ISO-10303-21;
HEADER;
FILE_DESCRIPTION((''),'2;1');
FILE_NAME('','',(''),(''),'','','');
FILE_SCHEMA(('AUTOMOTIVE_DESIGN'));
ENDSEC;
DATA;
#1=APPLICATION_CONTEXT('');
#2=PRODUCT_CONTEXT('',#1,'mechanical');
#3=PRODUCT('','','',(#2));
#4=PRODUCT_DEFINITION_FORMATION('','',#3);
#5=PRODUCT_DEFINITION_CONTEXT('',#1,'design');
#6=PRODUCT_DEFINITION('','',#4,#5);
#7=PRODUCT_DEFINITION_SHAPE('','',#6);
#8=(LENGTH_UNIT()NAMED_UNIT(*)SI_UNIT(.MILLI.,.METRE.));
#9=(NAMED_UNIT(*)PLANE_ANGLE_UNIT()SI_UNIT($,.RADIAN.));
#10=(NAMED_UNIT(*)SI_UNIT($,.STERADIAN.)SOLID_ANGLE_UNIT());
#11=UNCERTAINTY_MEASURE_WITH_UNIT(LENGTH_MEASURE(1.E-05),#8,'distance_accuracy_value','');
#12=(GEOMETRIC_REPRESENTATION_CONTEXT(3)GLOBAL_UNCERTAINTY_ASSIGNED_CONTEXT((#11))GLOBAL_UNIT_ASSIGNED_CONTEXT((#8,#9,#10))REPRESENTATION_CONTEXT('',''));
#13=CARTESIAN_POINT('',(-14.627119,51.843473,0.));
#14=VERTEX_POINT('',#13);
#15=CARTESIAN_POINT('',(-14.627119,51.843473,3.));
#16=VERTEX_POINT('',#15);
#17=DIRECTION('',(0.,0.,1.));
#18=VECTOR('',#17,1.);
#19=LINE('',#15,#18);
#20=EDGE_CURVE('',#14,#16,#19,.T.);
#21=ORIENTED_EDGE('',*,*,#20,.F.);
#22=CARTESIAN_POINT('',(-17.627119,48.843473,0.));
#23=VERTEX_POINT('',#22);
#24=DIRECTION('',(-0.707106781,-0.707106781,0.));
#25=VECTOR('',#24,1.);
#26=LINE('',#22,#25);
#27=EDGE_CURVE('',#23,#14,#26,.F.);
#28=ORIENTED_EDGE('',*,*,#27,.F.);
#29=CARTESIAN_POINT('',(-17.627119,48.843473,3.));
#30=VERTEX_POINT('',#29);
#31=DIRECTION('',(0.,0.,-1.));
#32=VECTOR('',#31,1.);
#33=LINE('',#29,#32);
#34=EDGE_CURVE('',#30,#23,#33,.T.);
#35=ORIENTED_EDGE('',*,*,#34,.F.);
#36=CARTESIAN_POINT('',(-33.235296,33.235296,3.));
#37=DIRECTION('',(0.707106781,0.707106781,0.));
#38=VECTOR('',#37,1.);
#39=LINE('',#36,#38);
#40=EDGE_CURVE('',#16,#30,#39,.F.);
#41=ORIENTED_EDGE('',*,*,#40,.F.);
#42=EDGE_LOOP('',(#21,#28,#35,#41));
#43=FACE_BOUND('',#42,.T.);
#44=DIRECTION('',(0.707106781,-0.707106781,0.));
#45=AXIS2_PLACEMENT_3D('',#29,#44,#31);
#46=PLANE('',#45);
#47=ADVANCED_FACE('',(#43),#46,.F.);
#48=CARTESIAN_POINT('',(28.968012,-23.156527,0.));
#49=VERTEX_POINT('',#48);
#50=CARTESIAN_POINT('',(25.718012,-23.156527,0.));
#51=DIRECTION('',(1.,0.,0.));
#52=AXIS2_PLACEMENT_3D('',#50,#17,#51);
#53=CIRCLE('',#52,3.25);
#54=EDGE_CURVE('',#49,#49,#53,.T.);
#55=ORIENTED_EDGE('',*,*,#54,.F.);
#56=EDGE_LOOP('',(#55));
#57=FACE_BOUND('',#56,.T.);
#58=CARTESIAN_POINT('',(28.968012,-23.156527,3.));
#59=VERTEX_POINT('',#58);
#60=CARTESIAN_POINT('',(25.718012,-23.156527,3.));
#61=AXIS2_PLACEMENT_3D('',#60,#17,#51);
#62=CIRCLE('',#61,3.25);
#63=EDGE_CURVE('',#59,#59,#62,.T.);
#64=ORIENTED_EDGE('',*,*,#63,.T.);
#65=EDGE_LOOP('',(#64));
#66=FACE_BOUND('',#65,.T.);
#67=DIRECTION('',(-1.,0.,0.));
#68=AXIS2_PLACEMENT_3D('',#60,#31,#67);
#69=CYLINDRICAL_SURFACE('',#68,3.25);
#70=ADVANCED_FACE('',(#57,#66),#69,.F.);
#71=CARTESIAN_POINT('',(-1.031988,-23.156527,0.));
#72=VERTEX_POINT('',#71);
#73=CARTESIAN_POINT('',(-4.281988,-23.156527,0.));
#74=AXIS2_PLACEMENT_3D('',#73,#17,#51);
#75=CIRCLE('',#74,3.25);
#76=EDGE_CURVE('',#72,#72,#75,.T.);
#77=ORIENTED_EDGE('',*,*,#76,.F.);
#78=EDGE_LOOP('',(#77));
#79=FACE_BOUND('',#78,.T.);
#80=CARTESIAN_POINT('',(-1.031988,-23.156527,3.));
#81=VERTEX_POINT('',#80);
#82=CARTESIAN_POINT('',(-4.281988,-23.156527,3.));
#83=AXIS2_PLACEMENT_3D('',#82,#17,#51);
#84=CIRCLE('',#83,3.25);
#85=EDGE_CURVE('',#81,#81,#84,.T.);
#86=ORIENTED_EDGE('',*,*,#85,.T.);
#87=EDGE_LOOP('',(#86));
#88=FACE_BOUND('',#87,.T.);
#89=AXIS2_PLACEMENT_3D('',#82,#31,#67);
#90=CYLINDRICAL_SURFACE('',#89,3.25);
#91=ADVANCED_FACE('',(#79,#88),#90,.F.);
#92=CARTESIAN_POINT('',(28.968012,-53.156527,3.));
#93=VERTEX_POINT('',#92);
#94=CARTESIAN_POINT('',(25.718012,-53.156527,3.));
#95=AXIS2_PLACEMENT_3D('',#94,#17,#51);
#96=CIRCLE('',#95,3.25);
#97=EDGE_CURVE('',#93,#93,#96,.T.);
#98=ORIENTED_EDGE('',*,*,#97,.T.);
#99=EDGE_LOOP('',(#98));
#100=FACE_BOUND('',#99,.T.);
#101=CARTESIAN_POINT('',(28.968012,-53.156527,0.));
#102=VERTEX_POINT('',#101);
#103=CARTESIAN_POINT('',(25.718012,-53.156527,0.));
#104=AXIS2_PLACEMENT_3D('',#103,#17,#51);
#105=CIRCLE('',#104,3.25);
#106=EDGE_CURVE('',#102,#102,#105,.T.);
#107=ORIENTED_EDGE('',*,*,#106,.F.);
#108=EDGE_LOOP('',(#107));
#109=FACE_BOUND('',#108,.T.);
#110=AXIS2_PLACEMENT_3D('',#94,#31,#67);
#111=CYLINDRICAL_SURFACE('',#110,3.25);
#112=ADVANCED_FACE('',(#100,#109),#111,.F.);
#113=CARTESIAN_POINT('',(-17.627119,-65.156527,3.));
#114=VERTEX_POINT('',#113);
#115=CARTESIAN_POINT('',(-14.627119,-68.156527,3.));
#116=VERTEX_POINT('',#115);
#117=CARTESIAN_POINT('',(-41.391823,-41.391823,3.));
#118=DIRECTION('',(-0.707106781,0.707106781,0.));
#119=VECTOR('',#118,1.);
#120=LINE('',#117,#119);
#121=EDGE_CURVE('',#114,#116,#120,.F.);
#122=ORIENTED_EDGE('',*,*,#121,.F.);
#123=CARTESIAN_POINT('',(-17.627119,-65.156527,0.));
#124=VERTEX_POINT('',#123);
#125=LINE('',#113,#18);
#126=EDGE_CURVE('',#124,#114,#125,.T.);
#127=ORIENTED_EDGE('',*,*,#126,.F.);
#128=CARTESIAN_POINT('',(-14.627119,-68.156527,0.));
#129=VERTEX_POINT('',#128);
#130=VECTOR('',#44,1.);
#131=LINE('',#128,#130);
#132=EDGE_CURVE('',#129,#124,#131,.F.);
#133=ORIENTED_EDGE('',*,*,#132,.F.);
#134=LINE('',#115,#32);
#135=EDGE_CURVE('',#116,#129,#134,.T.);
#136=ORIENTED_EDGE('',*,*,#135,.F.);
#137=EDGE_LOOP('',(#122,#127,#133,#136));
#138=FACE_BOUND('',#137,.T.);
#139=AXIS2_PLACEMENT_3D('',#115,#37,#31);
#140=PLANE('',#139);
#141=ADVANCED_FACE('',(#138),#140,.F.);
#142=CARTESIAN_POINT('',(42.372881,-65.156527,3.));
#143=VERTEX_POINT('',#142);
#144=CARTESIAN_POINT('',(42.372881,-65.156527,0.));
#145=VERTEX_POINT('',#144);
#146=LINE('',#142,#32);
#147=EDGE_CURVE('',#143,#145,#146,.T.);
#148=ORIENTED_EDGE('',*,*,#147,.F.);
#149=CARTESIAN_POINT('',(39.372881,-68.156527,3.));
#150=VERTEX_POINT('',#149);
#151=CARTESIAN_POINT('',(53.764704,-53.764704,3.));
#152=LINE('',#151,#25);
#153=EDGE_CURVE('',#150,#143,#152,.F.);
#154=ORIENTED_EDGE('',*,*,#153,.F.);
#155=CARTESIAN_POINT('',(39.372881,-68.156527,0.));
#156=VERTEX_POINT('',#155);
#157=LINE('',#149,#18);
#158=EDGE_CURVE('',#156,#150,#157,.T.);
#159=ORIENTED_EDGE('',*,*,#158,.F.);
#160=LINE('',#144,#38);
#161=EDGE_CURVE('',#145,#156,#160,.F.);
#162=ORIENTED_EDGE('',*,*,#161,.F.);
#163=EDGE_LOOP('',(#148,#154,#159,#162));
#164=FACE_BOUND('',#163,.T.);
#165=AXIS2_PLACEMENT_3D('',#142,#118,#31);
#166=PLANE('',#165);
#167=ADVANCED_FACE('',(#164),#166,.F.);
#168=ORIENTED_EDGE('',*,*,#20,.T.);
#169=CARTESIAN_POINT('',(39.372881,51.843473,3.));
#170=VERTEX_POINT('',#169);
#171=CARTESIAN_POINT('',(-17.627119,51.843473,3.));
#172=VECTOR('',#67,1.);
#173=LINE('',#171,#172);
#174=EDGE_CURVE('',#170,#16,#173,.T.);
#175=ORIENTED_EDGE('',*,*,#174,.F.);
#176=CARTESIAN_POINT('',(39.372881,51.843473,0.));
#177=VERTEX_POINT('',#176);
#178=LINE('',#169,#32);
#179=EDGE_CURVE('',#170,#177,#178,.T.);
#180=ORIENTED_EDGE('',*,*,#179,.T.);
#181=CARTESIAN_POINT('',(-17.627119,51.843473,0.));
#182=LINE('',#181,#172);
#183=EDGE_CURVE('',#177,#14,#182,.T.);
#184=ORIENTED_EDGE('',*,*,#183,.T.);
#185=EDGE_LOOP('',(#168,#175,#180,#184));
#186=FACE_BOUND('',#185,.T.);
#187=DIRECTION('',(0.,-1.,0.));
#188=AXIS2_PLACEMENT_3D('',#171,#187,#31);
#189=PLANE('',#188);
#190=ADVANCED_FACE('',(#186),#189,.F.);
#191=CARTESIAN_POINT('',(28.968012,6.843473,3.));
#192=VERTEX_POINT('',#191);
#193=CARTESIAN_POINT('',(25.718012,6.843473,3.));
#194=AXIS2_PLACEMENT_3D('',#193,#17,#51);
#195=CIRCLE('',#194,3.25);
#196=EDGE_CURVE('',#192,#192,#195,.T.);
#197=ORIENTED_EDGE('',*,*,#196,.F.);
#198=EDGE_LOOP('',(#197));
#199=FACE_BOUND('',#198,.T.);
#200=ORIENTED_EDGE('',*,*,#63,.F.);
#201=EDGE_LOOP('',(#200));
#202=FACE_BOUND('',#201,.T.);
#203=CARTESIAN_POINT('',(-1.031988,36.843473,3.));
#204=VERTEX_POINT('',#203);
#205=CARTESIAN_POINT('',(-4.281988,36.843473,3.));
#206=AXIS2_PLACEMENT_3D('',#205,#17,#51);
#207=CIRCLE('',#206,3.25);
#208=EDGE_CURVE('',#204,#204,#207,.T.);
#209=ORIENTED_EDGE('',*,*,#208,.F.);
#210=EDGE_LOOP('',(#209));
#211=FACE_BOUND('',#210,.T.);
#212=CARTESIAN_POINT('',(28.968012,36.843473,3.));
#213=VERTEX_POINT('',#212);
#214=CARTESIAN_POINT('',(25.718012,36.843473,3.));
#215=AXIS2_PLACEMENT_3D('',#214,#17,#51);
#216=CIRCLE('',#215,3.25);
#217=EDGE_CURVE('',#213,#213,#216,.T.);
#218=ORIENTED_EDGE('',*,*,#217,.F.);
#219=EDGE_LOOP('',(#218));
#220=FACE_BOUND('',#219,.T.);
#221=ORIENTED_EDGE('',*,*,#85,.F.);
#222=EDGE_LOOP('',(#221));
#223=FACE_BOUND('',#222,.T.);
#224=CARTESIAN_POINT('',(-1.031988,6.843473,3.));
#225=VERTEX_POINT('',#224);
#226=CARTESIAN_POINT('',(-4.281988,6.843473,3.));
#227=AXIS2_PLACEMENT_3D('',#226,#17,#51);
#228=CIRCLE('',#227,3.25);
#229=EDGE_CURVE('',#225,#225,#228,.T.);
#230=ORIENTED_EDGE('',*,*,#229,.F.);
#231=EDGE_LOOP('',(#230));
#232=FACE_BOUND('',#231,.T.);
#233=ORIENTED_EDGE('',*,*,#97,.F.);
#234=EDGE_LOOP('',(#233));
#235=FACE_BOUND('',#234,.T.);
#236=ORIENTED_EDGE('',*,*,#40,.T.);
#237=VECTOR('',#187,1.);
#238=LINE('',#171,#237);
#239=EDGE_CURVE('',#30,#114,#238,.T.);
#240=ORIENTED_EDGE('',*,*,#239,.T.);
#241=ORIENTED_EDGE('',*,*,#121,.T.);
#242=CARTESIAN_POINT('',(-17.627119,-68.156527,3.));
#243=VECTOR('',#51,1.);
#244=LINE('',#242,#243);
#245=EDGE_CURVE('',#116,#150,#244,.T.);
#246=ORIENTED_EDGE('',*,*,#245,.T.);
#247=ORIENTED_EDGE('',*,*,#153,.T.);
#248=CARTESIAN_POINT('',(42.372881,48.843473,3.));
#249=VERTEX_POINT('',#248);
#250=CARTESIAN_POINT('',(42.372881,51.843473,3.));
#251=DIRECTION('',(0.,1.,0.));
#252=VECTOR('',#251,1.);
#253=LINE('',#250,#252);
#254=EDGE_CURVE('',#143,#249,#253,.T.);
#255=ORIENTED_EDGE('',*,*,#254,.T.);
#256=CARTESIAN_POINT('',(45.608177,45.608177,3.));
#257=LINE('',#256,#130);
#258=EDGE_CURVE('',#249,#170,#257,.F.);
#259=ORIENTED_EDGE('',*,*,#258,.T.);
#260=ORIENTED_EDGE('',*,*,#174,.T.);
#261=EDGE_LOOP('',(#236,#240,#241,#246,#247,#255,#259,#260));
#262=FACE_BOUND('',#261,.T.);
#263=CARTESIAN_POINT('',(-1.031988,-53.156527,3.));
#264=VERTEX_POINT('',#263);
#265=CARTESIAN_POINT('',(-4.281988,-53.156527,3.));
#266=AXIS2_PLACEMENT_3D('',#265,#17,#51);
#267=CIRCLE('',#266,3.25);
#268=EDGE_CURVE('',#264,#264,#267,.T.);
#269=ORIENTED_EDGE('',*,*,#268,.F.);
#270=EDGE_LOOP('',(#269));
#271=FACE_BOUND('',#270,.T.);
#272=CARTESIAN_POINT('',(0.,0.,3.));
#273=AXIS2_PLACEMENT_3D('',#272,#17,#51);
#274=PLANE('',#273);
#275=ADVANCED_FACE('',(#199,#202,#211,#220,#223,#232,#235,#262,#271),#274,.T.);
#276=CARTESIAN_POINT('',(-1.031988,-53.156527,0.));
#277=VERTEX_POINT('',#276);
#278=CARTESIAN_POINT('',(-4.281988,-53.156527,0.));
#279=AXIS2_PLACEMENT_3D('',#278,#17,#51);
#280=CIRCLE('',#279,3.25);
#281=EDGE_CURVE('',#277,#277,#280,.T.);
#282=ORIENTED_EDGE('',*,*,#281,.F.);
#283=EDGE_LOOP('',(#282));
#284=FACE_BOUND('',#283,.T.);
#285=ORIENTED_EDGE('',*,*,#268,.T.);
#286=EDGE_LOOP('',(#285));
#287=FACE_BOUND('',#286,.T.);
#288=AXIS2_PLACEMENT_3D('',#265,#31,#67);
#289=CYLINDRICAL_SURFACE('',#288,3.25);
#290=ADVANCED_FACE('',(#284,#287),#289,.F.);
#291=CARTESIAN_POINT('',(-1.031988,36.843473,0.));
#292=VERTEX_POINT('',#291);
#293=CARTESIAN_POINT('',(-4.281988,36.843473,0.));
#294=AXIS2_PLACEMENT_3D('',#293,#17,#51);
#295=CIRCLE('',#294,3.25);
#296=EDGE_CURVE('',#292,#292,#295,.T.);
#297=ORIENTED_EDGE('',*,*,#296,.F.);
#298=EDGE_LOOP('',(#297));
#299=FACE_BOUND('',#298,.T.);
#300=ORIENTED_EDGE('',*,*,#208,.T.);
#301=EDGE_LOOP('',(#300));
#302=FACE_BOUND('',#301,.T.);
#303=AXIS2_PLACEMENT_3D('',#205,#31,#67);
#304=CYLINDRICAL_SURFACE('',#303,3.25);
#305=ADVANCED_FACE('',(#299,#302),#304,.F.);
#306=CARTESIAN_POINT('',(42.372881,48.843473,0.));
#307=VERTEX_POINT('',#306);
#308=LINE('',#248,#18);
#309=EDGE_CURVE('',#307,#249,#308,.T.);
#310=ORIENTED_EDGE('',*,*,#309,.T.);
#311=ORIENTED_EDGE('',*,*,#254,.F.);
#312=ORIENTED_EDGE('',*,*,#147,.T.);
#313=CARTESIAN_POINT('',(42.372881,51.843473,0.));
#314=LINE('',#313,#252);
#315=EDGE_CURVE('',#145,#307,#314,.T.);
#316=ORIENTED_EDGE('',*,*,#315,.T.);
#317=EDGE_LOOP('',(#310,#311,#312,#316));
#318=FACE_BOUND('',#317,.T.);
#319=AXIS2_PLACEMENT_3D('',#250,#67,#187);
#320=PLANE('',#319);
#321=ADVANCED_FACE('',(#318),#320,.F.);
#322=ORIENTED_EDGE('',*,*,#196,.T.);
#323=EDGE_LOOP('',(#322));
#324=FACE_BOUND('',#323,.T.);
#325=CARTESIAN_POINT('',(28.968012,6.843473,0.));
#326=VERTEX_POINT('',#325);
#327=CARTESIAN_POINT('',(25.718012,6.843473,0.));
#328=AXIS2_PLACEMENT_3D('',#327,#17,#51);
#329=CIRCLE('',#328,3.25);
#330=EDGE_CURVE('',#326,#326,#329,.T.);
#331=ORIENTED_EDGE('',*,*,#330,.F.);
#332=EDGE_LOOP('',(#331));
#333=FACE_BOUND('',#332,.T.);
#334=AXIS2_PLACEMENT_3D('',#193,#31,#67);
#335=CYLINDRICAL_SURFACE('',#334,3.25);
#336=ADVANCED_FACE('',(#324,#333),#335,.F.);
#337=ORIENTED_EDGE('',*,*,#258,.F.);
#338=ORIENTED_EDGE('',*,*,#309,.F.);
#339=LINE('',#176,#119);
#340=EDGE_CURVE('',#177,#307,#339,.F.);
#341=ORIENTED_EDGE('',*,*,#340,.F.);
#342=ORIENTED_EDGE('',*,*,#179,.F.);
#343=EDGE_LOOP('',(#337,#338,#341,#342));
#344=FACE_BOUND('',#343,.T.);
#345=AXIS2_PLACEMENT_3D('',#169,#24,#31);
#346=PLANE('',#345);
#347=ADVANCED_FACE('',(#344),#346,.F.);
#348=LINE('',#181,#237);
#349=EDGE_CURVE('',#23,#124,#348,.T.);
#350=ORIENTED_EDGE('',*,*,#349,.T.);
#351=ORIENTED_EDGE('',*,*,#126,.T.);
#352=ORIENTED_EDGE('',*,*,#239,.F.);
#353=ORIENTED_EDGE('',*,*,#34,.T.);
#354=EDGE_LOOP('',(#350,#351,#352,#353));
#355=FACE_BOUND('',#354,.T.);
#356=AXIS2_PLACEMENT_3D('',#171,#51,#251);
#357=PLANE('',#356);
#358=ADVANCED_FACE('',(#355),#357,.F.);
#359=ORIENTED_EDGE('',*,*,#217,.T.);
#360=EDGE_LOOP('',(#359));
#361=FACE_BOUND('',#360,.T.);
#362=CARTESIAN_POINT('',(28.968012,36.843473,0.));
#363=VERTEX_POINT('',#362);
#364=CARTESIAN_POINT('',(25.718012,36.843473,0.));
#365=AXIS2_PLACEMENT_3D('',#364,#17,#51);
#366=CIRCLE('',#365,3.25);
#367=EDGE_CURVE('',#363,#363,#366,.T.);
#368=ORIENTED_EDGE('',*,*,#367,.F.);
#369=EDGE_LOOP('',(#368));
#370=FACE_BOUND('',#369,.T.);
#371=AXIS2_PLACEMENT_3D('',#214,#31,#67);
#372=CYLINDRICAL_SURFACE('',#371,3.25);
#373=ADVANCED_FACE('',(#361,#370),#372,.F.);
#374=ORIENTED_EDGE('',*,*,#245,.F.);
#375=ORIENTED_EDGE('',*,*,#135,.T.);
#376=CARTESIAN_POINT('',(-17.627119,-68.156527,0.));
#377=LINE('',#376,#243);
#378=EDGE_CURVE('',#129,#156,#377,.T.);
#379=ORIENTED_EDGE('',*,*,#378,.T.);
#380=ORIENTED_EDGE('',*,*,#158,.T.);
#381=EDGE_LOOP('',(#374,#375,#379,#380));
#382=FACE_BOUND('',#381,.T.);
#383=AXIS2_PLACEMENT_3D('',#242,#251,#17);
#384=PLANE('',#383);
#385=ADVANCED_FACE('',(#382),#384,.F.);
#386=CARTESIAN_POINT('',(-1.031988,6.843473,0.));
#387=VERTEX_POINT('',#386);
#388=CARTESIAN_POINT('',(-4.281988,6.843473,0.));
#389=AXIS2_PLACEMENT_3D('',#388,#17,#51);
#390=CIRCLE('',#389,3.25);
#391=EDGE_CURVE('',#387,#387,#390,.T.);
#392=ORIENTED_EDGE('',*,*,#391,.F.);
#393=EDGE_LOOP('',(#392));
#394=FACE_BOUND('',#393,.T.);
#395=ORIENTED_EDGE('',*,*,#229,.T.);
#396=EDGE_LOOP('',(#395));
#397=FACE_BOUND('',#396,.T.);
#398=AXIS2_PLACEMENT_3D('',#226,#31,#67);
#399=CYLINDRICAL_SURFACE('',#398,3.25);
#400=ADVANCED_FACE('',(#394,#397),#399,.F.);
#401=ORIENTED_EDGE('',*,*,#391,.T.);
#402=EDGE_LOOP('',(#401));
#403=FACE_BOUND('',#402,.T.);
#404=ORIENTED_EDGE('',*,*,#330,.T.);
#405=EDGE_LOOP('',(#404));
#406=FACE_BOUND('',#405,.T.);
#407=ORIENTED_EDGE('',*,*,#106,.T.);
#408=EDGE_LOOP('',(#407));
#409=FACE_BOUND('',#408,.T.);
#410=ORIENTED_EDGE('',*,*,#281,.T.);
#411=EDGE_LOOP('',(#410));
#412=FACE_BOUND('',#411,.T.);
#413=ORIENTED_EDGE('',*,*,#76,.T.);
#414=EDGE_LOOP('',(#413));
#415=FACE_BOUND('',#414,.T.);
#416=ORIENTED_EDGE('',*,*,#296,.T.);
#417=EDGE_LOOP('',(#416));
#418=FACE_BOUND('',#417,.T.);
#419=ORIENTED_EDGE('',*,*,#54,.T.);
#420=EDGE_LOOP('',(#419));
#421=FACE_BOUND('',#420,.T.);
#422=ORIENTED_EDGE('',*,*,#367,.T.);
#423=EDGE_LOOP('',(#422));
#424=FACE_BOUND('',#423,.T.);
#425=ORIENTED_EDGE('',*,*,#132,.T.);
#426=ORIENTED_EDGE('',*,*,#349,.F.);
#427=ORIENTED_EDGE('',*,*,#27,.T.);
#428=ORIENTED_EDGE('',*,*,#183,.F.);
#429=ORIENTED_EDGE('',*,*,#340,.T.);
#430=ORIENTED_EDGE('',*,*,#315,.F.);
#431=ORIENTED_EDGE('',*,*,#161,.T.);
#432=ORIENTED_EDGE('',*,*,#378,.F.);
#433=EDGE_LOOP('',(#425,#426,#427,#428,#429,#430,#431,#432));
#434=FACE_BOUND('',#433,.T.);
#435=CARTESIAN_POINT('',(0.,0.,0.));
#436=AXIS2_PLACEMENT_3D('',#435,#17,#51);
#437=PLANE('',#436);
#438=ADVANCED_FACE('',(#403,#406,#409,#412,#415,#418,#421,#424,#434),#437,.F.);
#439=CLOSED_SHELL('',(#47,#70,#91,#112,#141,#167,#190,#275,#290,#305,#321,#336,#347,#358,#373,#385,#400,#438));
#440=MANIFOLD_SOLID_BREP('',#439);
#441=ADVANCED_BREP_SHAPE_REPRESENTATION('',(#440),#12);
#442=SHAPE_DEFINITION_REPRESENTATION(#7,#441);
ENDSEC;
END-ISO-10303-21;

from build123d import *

# Parameters (mm, degrees)
SKETCH1_W           = 60
SKETCH1_H           = 120
SKETCH1_R           = 3.25
BOSS_EXTRUDE1_DEPTH = 3
CHAMFER1_SIZE       = 3


with BuildPart() as part:
    # Sketch1 → Boss-Extrude1 (new body)
    with BuildSketch(Plane.XY):
        with Locations((12.372881356, -8.156527448)):
            Rectangle(SKETCH1_W, SKETCH1_H)
        with Locations((-4.281987853, 36.843472552)):
            Circle(SKETCH1_R, mode=Mode.SUBTRACT)
        with Locations((25.718012147, 36.843472552)):
            Circle(SKETCH1_R, mode=Mode.SUBTRACT)
        with Locations((-4.281987853, 6.843472552)):
            Circle(SKETCH1_R, mode=Mode.SUBTRACT)
        with Locations((25.718012147, 6.843472552)):
            Circle(SKETCH1_R, mode=Mode.SUBTRACT)
        with Locations((-4.281987853, -23.156527448)):
            Circle(SKETCH1_R, mode=Mode.SUBTRACT)
        with Locations((25.718012147, -23.156527448)):
            Circle(SKETCH1_R, mode=Mode.SUBTRACT)
        with Locations((-4.281987853, -53.156527448)):
            Circle(SKETCH1_R, mode=Mode.SUBTRACT)
        with Locations((25.718012147, -53.156527448)):
            Circle(SKETCH1_R, mode=Mode.SUBTRACT)
    extrude(amount=BOSS_EXTRUDE1_DEPTH)

    # Chamfer1
    chamfer1_edges = [part.edges().sort_by_distance(p)[0] for p in [
        (-17.627118644, 51.843472552, 1.5),
        (42.372881356, 51.843472552, 1.5),
        (42.372881356, -68.156527448, 1.5),
        (-17.627118644, -68.156527448, 1.5),
    ]]
    chamfer(chamfer1_edges, length=CHAMFER1_SIZE)


solid = part.part
